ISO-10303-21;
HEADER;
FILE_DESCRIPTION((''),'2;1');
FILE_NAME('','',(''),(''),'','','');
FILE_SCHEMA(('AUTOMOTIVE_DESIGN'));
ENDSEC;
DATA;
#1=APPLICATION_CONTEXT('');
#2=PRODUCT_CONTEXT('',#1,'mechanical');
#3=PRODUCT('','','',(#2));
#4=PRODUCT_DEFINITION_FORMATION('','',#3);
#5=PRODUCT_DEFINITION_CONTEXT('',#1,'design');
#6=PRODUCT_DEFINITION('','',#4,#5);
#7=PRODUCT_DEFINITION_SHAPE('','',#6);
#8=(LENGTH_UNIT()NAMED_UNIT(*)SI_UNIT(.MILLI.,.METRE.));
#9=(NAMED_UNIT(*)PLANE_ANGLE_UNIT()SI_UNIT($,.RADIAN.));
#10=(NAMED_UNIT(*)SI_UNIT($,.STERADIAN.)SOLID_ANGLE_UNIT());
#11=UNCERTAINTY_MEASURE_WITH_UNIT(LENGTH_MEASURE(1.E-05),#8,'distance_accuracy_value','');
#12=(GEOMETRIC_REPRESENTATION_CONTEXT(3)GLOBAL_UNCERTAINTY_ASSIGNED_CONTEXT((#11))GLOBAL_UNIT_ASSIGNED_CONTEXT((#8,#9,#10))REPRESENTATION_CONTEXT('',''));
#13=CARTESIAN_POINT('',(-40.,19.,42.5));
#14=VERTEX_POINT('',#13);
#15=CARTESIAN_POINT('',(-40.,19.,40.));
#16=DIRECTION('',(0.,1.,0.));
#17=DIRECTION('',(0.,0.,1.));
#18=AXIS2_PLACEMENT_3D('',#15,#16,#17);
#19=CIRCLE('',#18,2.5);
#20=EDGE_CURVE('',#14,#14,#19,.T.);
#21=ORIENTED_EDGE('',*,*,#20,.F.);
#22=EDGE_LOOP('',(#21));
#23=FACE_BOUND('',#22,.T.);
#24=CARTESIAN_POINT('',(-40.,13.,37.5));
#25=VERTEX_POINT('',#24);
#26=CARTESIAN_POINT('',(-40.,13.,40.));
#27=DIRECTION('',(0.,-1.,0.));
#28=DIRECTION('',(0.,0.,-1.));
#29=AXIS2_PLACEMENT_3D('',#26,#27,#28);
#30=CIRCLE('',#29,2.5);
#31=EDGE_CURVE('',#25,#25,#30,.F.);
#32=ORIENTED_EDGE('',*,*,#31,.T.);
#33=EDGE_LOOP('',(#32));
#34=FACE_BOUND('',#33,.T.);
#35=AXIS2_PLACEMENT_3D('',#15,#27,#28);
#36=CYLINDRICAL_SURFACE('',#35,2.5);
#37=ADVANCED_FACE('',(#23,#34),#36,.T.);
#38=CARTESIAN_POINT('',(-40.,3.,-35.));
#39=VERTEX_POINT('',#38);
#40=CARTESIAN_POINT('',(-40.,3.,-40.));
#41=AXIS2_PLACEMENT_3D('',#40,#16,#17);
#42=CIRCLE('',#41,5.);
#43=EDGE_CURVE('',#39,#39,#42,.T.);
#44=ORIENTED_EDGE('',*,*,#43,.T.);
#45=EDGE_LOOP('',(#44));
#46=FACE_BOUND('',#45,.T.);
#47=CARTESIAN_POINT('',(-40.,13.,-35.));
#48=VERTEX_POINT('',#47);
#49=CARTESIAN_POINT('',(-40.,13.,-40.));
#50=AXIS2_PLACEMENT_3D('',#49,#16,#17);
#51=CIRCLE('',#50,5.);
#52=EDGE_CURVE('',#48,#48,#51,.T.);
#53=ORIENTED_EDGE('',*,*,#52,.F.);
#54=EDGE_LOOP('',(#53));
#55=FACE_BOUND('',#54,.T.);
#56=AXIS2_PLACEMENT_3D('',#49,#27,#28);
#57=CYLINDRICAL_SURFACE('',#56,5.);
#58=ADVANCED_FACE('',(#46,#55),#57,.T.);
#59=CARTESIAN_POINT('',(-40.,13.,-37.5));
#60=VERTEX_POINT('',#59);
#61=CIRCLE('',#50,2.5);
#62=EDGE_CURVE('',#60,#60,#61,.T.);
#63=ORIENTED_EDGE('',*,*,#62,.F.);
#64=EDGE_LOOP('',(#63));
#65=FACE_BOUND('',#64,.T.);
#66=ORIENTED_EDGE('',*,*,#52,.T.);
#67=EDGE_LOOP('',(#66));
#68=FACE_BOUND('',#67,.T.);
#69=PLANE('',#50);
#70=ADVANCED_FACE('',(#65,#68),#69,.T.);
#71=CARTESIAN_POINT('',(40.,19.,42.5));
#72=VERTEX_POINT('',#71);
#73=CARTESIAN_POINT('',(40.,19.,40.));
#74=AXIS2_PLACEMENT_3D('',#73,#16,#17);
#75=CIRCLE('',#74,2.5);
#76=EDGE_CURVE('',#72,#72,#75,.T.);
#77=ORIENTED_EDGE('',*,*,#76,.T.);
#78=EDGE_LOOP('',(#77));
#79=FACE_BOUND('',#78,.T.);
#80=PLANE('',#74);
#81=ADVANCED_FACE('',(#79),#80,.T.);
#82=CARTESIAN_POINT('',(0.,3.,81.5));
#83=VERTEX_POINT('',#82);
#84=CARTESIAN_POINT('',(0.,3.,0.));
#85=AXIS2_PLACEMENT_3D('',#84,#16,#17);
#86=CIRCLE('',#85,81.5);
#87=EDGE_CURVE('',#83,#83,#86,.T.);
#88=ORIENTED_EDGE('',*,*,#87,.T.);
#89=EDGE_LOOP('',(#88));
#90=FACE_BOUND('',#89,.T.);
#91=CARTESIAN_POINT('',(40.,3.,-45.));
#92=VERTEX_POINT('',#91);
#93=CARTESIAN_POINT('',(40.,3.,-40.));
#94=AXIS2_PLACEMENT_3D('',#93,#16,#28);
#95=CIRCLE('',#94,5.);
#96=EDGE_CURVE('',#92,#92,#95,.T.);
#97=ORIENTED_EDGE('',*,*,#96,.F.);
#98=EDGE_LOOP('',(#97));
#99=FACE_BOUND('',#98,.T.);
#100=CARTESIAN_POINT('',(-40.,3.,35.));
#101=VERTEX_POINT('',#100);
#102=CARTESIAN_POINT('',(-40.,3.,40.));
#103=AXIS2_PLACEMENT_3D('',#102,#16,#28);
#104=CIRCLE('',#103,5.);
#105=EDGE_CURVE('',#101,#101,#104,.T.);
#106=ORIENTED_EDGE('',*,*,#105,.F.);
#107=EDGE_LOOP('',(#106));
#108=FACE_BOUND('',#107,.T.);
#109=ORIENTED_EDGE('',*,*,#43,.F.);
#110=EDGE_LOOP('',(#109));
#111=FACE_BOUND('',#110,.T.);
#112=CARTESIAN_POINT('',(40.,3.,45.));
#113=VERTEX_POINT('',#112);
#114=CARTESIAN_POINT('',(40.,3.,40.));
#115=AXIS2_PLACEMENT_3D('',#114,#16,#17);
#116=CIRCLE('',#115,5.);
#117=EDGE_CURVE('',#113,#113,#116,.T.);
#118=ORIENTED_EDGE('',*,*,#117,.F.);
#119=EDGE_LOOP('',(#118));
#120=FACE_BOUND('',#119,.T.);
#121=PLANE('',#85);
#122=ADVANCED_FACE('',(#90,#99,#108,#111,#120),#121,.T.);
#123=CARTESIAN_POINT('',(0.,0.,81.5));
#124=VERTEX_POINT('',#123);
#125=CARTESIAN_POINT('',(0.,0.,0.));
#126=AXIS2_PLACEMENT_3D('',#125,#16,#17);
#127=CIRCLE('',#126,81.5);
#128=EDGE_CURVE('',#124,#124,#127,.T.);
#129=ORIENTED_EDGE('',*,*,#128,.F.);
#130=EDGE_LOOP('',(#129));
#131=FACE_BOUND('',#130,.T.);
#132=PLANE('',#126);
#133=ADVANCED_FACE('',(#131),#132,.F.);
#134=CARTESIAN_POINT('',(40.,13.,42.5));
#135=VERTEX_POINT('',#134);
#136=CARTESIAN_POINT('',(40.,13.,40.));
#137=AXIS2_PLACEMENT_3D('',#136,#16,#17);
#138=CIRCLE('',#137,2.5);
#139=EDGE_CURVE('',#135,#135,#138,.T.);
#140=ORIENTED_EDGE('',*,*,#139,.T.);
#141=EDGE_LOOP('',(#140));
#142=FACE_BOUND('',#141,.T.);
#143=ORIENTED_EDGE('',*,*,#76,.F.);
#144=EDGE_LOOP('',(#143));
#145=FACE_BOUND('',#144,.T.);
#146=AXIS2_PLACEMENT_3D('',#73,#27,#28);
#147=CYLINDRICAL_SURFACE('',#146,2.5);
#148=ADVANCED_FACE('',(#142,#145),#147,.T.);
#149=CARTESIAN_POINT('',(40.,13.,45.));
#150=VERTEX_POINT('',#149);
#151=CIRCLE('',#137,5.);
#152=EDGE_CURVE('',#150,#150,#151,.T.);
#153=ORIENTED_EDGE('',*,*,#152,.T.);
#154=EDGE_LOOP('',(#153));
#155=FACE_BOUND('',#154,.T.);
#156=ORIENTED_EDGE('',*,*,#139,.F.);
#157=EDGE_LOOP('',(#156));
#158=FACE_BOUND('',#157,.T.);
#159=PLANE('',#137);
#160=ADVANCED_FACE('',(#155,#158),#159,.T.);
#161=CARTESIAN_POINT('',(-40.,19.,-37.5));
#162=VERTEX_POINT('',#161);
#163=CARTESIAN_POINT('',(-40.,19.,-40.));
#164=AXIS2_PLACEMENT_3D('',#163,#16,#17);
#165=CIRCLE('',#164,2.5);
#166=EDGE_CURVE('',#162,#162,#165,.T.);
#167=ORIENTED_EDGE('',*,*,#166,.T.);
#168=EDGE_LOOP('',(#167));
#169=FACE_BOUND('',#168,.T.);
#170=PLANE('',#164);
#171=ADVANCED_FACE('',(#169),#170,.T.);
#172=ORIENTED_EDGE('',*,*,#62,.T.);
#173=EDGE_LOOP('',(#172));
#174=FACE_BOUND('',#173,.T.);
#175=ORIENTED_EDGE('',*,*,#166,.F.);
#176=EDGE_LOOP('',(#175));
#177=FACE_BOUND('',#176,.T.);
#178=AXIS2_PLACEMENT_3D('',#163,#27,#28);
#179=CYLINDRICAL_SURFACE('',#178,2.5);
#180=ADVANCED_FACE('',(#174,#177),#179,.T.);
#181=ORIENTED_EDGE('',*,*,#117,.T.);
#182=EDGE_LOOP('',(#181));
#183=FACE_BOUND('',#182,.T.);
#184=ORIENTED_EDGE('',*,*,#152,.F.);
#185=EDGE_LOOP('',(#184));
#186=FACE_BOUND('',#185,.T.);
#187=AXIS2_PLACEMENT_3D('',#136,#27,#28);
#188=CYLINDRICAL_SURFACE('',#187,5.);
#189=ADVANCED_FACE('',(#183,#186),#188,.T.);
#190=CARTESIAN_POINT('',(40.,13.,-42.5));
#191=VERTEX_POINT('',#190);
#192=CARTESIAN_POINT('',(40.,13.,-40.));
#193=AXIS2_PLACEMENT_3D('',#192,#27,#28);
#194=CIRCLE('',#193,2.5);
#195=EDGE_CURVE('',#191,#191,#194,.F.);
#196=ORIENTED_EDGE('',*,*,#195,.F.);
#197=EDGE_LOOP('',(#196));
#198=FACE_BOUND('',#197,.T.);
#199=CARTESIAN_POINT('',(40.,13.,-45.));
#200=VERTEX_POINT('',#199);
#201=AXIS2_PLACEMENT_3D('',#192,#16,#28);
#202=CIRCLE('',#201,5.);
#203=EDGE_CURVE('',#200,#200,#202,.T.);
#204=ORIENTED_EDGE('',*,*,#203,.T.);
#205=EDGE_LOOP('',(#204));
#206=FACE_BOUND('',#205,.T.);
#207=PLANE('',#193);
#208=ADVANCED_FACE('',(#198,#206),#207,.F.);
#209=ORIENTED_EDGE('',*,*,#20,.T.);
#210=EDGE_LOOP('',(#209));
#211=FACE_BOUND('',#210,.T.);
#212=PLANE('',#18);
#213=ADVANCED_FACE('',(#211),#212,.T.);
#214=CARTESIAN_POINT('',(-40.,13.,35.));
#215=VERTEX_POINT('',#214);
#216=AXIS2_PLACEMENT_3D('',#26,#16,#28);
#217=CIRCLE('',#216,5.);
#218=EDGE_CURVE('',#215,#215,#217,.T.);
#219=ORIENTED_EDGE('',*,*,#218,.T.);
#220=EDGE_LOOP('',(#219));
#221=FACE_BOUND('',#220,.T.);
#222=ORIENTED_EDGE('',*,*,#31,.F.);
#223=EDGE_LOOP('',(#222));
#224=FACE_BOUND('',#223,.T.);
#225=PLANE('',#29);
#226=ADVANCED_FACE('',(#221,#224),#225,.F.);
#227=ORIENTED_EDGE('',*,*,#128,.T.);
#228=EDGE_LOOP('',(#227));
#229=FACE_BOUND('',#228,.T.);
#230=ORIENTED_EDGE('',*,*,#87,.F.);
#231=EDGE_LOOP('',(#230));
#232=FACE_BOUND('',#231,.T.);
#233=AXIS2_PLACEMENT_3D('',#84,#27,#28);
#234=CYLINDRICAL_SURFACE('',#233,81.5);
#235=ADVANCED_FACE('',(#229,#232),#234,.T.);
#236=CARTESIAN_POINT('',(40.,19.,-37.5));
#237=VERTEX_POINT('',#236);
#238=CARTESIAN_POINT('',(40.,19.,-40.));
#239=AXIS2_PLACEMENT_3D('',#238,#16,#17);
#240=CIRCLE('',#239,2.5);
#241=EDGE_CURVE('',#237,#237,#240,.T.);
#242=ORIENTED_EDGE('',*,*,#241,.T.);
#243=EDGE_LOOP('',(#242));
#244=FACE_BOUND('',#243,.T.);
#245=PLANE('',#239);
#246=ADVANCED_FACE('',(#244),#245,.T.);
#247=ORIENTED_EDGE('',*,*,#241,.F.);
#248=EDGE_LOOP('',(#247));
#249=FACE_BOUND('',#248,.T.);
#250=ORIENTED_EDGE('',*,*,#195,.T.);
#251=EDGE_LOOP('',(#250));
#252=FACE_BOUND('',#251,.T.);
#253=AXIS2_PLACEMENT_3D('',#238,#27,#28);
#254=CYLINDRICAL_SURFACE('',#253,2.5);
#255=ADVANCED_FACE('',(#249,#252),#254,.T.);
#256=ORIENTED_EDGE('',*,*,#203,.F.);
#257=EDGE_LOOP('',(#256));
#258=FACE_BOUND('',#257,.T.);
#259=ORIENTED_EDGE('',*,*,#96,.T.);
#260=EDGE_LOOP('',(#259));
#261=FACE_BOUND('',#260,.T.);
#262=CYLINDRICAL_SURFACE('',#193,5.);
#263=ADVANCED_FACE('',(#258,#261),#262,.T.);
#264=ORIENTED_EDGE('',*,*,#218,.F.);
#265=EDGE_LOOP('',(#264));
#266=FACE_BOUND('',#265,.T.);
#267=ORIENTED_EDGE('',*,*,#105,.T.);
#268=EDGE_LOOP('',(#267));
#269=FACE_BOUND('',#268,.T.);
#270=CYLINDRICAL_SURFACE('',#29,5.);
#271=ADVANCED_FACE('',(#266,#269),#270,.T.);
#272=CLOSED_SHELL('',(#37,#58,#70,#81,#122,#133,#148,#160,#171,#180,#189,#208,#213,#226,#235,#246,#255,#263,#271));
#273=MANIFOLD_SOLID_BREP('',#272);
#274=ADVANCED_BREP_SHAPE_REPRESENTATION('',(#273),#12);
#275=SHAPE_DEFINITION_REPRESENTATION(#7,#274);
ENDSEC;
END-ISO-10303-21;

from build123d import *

# Parameters (mm, degrees)
SKETCH3_R           = 81.5
BOSS_EXTRUDE1_DEPTH = 3
SKETCH4_R           = 5
BOSS_EXTRUDE2_DEPTH = 10
SKETCH5_R           = 2.5
BOSS_EXTRUDE3_DEPTH = 6


with BuildPart() as part:
    # Sketch3 → Boss-Extrude1 (new body)
    with BuildSketch(Plane(origin=(0, 0, 0), x_dir=(1, 0, 0), z_dir=(0, 1, 0))):
        with Locations(Location((0, 0, 0), (0, 0, 270))):
            Circle(SKETCH3_R)
    extrude(amount=BOSS_EXTRUDE1_DEPTH)

    # Sketch4 → Boss-Extrude2 (add)
    with BuildSketch(Plane(origin=(0, 3, 0), x_dir=(1, 0, 0), z_dir=(0, 1, 0))):
        with Locations(Location((-40, 40, 0), (0, 0, 270))):
            Circle(SKETCH4_R)
        with Locations(Location((40, 40, 0), (0, 0, 90))):
            Circle(SKETCH4_R)
        with Locations(Location((40, -40, 0), (0, 0, 270))):
            Circle(SKETCH4_R)
        with Locations(Location((-40, -40, 0), (0, 0, 90))):
            Circle(SKETCH4_R)
    extrude(amount=BOSS_EXTRUDE2_DEPTH)

    # Sketch5 → Boss-Extrude3 (add)
    with BuildSketch(Plane(origin=(0, 13, 0), x_dir=(1, 0, 0), z_dir=(0, 1, 0))):
        with Locations(Location((-40, 40, 0), (0, 0, 270))):
            Circle(SKETCH5_R)
        with Locations(Location((40, 40, 0), (0, 0, 90))):
            Circle(SKETCH5_R)
        with Locations(Location((40, -40, 0), (0, 0, 270))):
            Circle(SKETCH5_R)
        with Locations(Location((-40, -40, 0), (0, 0, 90))):
            Circle(SKETCH5_R)
    extrude(amount=BOSS_EXTRUDE3_DEPTH)


solid = part.part
